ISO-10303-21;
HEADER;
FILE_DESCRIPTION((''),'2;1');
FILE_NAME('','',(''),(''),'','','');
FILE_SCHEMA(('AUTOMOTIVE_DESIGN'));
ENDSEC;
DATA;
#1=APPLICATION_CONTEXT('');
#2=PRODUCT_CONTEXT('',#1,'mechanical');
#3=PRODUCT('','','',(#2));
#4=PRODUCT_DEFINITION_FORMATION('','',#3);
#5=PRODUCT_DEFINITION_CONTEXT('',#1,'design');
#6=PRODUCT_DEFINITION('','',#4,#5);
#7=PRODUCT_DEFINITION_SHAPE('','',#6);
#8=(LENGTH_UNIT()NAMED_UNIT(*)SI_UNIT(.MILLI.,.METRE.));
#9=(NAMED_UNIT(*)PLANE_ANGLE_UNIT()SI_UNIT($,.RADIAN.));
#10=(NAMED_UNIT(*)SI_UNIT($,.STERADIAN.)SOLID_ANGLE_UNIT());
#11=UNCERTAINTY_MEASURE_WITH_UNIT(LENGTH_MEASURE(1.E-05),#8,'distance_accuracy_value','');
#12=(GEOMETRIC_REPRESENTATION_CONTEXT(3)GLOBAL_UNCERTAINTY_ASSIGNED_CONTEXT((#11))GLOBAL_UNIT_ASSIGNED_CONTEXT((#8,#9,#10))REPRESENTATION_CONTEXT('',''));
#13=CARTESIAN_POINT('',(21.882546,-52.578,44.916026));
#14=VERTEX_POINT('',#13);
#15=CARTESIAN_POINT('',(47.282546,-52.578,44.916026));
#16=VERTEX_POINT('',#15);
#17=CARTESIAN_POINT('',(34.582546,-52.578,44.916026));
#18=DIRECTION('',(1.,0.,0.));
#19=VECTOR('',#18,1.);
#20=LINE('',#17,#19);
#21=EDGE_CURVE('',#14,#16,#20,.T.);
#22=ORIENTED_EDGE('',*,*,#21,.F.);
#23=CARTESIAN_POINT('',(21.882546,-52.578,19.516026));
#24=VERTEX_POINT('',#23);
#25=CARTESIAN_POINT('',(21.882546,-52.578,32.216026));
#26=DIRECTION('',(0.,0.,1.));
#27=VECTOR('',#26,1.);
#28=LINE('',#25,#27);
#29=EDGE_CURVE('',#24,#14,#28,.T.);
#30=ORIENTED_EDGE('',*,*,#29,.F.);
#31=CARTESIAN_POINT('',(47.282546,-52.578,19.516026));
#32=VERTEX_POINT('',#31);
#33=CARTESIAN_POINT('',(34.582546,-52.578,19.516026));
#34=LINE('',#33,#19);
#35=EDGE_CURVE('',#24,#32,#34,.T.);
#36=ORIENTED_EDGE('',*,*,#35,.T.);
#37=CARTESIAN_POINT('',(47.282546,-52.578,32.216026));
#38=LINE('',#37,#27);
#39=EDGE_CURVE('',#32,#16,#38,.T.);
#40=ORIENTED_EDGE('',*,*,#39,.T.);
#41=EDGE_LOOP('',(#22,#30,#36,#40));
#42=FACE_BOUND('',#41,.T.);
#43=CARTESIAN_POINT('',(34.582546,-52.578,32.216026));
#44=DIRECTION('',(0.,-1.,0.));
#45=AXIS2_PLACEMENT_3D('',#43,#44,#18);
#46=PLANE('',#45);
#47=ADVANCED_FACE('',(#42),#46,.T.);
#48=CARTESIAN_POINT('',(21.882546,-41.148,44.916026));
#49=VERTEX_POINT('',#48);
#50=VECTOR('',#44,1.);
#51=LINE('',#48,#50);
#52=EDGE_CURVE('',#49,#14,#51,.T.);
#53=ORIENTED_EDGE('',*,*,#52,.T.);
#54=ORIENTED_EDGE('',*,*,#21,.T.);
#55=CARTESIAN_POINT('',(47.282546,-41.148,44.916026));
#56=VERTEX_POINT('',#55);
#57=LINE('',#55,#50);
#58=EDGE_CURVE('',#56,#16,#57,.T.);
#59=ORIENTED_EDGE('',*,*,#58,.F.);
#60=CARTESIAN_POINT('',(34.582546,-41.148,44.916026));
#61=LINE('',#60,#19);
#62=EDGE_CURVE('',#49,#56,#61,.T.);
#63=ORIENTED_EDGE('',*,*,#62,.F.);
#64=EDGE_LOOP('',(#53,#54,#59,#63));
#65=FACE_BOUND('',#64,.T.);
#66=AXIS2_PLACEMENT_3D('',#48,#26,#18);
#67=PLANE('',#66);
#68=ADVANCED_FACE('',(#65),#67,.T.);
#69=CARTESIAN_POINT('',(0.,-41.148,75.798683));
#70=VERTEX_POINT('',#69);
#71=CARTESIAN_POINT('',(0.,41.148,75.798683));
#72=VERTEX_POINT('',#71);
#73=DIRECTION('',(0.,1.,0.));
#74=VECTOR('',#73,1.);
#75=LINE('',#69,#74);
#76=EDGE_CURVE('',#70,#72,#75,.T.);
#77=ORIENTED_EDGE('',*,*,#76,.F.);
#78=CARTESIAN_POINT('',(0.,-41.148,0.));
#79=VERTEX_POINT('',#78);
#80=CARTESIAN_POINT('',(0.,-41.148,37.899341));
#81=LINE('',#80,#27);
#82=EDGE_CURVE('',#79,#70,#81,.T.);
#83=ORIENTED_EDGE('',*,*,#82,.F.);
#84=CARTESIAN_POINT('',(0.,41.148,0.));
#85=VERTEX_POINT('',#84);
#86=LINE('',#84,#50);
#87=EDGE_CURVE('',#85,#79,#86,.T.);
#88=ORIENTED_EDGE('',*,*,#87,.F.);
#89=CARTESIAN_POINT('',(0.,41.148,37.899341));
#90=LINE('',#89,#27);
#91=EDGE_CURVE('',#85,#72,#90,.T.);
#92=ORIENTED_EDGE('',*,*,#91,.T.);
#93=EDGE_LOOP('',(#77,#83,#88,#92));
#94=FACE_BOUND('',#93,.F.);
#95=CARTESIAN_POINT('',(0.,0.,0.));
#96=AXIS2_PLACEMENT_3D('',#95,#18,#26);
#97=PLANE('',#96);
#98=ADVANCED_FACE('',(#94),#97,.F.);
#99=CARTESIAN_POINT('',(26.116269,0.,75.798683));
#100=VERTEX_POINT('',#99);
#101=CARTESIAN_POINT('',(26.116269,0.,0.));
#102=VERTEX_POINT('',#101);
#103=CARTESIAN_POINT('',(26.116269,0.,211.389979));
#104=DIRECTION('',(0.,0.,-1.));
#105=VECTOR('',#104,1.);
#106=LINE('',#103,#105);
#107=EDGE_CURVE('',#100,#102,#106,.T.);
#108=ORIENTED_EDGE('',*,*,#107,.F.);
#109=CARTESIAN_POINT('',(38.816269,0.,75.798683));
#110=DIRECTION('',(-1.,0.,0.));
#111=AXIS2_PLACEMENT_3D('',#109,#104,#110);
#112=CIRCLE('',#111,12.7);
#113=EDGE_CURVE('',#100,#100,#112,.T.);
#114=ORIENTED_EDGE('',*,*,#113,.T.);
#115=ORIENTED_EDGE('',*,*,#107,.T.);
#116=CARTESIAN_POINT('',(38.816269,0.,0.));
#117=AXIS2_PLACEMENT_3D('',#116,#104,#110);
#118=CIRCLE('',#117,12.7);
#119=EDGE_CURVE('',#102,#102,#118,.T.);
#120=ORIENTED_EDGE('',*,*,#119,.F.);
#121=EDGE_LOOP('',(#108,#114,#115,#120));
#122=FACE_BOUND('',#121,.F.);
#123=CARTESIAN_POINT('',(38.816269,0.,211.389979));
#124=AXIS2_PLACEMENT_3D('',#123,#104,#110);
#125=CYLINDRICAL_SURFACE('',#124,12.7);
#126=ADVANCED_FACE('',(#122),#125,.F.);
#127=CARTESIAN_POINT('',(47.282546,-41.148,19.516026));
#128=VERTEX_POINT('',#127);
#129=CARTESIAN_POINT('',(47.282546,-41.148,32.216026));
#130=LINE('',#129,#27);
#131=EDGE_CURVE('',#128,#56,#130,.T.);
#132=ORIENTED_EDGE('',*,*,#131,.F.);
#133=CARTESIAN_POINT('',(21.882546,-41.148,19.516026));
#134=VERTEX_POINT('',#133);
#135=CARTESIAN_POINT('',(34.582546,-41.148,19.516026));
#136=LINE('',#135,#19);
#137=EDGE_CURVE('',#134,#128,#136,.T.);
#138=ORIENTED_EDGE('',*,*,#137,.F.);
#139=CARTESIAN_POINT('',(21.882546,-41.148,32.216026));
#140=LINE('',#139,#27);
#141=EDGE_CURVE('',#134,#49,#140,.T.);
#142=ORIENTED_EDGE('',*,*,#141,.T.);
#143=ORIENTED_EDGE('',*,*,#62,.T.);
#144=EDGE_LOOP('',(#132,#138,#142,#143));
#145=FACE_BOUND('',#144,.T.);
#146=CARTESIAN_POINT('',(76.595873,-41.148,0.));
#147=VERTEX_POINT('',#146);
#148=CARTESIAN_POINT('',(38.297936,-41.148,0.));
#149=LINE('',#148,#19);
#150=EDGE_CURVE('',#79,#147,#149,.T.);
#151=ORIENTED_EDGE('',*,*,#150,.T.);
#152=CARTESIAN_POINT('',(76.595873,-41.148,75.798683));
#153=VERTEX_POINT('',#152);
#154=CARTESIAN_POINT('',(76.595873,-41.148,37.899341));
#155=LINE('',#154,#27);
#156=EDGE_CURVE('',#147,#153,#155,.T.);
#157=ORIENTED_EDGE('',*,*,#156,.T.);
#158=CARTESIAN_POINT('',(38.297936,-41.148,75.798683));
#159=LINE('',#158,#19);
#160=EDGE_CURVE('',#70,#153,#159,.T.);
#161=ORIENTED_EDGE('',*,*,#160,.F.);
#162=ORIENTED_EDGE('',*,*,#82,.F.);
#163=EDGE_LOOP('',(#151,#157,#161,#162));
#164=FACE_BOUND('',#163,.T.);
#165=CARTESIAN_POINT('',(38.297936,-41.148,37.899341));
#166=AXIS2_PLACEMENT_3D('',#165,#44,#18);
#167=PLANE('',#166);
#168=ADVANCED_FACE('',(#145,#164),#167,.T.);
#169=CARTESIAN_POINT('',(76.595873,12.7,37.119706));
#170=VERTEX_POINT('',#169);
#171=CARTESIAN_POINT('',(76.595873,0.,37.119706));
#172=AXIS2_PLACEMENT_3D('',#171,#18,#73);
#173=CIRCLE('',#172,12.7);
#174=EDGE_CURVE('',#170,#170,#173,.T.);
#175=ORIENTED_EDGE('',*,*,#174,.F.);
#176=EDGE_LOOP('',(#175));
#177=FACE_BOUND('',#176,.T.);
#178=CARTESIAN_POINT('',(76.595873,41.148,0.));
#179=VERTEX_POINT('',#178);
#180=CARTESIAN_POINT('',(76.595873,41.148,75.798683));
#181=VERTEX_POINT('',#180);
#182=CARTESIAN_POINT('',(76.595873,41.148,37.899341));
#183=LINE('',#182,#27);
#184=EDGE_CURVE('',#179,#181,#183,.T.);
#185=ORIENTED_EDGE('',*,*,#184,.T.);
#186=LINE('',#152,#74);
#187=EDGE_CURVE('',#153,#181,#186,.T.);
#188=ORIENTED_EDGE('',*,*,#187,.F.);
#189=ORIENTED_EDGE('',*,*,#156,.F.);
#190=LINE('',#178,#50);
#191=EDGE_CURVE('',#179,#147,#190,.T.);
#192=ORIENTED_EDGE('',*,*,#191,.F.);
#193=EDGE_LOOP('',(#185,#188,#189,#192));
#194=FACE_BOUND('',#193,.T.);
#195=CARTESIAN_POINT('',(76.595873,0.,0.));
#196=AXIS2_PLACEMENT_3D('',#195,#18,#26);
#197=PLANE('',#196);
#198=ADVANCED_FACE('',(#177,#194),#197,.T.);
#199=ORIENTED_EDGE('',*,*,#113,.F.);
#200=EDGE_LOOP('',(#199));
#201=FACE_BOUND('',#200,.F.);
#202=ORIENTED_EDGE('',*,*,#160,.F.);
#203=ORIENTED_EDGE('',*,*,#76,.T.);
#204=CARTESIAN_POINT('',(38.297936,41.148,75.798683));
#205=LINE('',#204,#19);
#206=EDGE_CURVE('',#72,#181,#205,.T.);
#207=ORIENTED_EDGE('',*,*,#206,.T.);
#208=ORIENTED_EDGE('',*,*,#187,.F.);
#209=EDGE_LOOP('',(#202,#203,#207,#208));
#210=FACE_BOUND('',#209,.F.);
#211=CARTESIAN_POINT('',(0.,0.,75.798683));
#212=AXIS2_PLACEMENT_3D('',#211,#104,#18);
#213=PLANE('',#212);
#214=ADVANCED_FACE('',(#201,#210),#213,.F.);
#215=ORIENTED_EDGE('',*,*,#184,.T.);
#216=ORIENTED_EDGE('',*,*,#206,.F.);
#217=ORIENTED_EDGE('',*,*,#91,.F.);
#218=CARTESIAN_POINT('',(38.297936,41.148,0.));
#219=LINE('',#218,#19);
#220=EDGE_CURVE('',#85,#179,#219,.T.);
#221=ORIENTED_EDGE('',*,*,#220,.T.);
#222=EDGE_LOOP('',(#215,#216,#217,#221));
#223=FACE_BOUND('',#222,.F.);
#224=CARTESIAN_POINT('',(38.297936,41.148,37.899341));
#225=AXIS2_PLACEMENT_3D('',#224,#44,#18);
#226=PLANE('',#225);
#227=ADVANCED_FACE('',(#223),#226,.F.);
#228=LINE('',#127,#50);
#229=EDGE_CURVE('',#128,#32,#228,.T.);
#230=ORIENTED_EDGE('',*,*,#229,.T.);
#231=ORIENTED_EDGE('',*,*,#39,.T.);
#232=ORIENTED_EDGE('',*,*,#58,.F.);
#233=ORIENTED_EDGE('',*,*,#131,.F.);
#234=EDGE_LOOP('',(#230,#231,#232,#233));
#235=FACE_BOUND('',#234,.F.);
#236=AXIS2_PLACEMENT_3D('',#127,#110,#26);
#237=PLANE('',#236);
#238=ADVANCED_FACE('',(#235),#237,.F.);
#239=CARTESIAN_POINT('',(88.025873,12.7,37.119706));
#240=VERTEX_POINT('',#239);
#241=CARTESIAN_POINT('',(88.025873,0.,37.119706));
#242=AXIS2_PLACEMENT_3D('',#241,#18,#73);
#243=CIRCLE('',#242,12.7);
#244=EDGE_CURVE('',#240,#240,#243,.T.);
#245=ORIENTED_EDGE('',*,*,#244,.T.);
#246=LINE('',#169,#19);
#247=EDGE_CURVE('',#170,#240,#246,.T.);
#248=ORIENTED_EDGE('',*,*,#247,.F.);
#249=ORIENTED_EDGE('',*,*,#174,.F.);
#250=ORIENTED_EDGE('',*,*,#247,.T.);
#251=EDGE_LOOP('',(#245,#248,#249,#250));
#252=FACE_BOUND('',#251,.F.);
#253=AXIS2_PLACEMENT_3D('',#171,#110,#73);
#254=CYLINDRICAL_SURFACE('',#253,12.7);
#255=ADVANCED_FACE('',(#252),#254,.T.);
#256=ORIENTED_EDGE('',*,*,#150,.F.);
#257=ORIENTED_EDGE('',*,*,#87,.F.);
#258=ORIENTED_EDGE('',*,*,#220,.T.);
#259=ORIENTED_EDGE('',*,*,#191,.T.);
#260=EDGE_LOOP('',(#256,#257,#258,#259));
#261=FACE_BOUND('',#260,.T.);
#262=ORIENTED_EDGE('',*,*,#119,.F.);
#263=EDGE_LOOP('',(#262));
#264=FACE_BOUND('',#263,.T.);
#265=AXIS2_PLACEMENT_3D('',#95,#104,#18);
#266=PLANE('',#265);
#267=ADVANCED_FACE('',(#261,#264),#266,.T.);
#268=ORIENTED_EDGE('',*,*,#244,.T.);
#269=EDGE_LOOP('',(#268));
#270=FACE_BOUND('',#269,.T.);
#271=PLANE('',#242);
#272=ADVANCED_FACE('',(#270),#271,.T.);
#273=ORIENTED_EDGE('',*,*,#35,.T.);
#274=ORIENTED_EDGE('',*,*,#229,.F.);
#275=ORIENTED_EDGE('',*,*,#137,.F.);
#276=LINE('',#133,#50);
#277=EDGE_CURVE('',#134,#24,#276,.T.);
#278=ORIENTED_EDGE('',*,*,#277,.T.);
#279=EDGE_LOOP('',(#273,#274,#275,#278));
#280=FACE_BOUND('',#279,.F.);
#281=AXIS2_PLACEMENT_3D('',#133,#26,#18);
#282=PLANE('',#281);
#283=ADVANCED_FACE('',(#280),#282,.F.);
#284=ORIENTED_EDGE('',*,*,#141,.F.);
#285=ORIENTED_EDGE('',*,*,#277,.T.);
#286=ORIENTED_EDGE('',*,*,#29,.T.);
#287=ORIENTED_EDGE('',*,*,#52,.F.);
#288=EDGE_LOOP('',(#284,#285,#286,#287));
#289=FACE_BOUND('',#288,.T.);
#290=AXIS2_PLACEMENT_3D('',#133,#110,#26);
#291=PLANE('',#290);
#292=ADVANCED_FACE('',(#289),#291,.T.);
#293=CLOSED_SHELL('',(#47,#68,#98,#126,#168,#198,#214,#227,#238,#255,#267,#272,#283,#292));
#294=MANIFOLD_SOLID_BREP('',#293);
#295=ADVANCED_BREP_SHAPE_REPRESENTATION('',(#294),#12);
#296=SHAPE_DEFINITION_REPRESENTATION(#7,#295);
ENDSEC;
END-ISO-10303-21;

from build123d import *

# Parameters (mm, degrees)
F0_W     = 76.5958726406
F0_H     = 75.7986828685
F1_DEPTH = 41.148
F3_D     = 25.4
F4_W     = 25.4
F4_H     = 25.4
F5_DEPTH = 11.43
F6_R     = 12.7
F7_DEPTH = 11.43


with BuildPart() as f1:
    # F0 (on Front) → F1 (new body, symmetric)
    with BuildSketch(Plane.XZ):
        with Locations((38.2979363203, 37.8993414342)):
            Rectangle(F0_W, F0_H)
    extrude(amount=F1_DEPTH, both=True)

    # F3 (through all)
    with Locations(Plane.XY.offset(75.7986828685)):
        with Locations((38.8162694871, 0)):
            Hole(F3_D / 2)

    # F4 (on face) → F5 (join)
    with BuildSketch(Plane.XZ.offset(41.148)):
        with Locations((34.5825459808, 32.216026066)):
            Rectangle(F4_W, F4_H)
    extrude(amount=F5_DEPTH)

    # F6 (on face) → F7 (join)
    with BuildSketch(Plane.YZ.offset(76.5958726406)):
        with Locations((0, 37.119705635)):
            Circle(F6_R)
    extrude(amount=F7_DEPTH)


solid = f1.part
